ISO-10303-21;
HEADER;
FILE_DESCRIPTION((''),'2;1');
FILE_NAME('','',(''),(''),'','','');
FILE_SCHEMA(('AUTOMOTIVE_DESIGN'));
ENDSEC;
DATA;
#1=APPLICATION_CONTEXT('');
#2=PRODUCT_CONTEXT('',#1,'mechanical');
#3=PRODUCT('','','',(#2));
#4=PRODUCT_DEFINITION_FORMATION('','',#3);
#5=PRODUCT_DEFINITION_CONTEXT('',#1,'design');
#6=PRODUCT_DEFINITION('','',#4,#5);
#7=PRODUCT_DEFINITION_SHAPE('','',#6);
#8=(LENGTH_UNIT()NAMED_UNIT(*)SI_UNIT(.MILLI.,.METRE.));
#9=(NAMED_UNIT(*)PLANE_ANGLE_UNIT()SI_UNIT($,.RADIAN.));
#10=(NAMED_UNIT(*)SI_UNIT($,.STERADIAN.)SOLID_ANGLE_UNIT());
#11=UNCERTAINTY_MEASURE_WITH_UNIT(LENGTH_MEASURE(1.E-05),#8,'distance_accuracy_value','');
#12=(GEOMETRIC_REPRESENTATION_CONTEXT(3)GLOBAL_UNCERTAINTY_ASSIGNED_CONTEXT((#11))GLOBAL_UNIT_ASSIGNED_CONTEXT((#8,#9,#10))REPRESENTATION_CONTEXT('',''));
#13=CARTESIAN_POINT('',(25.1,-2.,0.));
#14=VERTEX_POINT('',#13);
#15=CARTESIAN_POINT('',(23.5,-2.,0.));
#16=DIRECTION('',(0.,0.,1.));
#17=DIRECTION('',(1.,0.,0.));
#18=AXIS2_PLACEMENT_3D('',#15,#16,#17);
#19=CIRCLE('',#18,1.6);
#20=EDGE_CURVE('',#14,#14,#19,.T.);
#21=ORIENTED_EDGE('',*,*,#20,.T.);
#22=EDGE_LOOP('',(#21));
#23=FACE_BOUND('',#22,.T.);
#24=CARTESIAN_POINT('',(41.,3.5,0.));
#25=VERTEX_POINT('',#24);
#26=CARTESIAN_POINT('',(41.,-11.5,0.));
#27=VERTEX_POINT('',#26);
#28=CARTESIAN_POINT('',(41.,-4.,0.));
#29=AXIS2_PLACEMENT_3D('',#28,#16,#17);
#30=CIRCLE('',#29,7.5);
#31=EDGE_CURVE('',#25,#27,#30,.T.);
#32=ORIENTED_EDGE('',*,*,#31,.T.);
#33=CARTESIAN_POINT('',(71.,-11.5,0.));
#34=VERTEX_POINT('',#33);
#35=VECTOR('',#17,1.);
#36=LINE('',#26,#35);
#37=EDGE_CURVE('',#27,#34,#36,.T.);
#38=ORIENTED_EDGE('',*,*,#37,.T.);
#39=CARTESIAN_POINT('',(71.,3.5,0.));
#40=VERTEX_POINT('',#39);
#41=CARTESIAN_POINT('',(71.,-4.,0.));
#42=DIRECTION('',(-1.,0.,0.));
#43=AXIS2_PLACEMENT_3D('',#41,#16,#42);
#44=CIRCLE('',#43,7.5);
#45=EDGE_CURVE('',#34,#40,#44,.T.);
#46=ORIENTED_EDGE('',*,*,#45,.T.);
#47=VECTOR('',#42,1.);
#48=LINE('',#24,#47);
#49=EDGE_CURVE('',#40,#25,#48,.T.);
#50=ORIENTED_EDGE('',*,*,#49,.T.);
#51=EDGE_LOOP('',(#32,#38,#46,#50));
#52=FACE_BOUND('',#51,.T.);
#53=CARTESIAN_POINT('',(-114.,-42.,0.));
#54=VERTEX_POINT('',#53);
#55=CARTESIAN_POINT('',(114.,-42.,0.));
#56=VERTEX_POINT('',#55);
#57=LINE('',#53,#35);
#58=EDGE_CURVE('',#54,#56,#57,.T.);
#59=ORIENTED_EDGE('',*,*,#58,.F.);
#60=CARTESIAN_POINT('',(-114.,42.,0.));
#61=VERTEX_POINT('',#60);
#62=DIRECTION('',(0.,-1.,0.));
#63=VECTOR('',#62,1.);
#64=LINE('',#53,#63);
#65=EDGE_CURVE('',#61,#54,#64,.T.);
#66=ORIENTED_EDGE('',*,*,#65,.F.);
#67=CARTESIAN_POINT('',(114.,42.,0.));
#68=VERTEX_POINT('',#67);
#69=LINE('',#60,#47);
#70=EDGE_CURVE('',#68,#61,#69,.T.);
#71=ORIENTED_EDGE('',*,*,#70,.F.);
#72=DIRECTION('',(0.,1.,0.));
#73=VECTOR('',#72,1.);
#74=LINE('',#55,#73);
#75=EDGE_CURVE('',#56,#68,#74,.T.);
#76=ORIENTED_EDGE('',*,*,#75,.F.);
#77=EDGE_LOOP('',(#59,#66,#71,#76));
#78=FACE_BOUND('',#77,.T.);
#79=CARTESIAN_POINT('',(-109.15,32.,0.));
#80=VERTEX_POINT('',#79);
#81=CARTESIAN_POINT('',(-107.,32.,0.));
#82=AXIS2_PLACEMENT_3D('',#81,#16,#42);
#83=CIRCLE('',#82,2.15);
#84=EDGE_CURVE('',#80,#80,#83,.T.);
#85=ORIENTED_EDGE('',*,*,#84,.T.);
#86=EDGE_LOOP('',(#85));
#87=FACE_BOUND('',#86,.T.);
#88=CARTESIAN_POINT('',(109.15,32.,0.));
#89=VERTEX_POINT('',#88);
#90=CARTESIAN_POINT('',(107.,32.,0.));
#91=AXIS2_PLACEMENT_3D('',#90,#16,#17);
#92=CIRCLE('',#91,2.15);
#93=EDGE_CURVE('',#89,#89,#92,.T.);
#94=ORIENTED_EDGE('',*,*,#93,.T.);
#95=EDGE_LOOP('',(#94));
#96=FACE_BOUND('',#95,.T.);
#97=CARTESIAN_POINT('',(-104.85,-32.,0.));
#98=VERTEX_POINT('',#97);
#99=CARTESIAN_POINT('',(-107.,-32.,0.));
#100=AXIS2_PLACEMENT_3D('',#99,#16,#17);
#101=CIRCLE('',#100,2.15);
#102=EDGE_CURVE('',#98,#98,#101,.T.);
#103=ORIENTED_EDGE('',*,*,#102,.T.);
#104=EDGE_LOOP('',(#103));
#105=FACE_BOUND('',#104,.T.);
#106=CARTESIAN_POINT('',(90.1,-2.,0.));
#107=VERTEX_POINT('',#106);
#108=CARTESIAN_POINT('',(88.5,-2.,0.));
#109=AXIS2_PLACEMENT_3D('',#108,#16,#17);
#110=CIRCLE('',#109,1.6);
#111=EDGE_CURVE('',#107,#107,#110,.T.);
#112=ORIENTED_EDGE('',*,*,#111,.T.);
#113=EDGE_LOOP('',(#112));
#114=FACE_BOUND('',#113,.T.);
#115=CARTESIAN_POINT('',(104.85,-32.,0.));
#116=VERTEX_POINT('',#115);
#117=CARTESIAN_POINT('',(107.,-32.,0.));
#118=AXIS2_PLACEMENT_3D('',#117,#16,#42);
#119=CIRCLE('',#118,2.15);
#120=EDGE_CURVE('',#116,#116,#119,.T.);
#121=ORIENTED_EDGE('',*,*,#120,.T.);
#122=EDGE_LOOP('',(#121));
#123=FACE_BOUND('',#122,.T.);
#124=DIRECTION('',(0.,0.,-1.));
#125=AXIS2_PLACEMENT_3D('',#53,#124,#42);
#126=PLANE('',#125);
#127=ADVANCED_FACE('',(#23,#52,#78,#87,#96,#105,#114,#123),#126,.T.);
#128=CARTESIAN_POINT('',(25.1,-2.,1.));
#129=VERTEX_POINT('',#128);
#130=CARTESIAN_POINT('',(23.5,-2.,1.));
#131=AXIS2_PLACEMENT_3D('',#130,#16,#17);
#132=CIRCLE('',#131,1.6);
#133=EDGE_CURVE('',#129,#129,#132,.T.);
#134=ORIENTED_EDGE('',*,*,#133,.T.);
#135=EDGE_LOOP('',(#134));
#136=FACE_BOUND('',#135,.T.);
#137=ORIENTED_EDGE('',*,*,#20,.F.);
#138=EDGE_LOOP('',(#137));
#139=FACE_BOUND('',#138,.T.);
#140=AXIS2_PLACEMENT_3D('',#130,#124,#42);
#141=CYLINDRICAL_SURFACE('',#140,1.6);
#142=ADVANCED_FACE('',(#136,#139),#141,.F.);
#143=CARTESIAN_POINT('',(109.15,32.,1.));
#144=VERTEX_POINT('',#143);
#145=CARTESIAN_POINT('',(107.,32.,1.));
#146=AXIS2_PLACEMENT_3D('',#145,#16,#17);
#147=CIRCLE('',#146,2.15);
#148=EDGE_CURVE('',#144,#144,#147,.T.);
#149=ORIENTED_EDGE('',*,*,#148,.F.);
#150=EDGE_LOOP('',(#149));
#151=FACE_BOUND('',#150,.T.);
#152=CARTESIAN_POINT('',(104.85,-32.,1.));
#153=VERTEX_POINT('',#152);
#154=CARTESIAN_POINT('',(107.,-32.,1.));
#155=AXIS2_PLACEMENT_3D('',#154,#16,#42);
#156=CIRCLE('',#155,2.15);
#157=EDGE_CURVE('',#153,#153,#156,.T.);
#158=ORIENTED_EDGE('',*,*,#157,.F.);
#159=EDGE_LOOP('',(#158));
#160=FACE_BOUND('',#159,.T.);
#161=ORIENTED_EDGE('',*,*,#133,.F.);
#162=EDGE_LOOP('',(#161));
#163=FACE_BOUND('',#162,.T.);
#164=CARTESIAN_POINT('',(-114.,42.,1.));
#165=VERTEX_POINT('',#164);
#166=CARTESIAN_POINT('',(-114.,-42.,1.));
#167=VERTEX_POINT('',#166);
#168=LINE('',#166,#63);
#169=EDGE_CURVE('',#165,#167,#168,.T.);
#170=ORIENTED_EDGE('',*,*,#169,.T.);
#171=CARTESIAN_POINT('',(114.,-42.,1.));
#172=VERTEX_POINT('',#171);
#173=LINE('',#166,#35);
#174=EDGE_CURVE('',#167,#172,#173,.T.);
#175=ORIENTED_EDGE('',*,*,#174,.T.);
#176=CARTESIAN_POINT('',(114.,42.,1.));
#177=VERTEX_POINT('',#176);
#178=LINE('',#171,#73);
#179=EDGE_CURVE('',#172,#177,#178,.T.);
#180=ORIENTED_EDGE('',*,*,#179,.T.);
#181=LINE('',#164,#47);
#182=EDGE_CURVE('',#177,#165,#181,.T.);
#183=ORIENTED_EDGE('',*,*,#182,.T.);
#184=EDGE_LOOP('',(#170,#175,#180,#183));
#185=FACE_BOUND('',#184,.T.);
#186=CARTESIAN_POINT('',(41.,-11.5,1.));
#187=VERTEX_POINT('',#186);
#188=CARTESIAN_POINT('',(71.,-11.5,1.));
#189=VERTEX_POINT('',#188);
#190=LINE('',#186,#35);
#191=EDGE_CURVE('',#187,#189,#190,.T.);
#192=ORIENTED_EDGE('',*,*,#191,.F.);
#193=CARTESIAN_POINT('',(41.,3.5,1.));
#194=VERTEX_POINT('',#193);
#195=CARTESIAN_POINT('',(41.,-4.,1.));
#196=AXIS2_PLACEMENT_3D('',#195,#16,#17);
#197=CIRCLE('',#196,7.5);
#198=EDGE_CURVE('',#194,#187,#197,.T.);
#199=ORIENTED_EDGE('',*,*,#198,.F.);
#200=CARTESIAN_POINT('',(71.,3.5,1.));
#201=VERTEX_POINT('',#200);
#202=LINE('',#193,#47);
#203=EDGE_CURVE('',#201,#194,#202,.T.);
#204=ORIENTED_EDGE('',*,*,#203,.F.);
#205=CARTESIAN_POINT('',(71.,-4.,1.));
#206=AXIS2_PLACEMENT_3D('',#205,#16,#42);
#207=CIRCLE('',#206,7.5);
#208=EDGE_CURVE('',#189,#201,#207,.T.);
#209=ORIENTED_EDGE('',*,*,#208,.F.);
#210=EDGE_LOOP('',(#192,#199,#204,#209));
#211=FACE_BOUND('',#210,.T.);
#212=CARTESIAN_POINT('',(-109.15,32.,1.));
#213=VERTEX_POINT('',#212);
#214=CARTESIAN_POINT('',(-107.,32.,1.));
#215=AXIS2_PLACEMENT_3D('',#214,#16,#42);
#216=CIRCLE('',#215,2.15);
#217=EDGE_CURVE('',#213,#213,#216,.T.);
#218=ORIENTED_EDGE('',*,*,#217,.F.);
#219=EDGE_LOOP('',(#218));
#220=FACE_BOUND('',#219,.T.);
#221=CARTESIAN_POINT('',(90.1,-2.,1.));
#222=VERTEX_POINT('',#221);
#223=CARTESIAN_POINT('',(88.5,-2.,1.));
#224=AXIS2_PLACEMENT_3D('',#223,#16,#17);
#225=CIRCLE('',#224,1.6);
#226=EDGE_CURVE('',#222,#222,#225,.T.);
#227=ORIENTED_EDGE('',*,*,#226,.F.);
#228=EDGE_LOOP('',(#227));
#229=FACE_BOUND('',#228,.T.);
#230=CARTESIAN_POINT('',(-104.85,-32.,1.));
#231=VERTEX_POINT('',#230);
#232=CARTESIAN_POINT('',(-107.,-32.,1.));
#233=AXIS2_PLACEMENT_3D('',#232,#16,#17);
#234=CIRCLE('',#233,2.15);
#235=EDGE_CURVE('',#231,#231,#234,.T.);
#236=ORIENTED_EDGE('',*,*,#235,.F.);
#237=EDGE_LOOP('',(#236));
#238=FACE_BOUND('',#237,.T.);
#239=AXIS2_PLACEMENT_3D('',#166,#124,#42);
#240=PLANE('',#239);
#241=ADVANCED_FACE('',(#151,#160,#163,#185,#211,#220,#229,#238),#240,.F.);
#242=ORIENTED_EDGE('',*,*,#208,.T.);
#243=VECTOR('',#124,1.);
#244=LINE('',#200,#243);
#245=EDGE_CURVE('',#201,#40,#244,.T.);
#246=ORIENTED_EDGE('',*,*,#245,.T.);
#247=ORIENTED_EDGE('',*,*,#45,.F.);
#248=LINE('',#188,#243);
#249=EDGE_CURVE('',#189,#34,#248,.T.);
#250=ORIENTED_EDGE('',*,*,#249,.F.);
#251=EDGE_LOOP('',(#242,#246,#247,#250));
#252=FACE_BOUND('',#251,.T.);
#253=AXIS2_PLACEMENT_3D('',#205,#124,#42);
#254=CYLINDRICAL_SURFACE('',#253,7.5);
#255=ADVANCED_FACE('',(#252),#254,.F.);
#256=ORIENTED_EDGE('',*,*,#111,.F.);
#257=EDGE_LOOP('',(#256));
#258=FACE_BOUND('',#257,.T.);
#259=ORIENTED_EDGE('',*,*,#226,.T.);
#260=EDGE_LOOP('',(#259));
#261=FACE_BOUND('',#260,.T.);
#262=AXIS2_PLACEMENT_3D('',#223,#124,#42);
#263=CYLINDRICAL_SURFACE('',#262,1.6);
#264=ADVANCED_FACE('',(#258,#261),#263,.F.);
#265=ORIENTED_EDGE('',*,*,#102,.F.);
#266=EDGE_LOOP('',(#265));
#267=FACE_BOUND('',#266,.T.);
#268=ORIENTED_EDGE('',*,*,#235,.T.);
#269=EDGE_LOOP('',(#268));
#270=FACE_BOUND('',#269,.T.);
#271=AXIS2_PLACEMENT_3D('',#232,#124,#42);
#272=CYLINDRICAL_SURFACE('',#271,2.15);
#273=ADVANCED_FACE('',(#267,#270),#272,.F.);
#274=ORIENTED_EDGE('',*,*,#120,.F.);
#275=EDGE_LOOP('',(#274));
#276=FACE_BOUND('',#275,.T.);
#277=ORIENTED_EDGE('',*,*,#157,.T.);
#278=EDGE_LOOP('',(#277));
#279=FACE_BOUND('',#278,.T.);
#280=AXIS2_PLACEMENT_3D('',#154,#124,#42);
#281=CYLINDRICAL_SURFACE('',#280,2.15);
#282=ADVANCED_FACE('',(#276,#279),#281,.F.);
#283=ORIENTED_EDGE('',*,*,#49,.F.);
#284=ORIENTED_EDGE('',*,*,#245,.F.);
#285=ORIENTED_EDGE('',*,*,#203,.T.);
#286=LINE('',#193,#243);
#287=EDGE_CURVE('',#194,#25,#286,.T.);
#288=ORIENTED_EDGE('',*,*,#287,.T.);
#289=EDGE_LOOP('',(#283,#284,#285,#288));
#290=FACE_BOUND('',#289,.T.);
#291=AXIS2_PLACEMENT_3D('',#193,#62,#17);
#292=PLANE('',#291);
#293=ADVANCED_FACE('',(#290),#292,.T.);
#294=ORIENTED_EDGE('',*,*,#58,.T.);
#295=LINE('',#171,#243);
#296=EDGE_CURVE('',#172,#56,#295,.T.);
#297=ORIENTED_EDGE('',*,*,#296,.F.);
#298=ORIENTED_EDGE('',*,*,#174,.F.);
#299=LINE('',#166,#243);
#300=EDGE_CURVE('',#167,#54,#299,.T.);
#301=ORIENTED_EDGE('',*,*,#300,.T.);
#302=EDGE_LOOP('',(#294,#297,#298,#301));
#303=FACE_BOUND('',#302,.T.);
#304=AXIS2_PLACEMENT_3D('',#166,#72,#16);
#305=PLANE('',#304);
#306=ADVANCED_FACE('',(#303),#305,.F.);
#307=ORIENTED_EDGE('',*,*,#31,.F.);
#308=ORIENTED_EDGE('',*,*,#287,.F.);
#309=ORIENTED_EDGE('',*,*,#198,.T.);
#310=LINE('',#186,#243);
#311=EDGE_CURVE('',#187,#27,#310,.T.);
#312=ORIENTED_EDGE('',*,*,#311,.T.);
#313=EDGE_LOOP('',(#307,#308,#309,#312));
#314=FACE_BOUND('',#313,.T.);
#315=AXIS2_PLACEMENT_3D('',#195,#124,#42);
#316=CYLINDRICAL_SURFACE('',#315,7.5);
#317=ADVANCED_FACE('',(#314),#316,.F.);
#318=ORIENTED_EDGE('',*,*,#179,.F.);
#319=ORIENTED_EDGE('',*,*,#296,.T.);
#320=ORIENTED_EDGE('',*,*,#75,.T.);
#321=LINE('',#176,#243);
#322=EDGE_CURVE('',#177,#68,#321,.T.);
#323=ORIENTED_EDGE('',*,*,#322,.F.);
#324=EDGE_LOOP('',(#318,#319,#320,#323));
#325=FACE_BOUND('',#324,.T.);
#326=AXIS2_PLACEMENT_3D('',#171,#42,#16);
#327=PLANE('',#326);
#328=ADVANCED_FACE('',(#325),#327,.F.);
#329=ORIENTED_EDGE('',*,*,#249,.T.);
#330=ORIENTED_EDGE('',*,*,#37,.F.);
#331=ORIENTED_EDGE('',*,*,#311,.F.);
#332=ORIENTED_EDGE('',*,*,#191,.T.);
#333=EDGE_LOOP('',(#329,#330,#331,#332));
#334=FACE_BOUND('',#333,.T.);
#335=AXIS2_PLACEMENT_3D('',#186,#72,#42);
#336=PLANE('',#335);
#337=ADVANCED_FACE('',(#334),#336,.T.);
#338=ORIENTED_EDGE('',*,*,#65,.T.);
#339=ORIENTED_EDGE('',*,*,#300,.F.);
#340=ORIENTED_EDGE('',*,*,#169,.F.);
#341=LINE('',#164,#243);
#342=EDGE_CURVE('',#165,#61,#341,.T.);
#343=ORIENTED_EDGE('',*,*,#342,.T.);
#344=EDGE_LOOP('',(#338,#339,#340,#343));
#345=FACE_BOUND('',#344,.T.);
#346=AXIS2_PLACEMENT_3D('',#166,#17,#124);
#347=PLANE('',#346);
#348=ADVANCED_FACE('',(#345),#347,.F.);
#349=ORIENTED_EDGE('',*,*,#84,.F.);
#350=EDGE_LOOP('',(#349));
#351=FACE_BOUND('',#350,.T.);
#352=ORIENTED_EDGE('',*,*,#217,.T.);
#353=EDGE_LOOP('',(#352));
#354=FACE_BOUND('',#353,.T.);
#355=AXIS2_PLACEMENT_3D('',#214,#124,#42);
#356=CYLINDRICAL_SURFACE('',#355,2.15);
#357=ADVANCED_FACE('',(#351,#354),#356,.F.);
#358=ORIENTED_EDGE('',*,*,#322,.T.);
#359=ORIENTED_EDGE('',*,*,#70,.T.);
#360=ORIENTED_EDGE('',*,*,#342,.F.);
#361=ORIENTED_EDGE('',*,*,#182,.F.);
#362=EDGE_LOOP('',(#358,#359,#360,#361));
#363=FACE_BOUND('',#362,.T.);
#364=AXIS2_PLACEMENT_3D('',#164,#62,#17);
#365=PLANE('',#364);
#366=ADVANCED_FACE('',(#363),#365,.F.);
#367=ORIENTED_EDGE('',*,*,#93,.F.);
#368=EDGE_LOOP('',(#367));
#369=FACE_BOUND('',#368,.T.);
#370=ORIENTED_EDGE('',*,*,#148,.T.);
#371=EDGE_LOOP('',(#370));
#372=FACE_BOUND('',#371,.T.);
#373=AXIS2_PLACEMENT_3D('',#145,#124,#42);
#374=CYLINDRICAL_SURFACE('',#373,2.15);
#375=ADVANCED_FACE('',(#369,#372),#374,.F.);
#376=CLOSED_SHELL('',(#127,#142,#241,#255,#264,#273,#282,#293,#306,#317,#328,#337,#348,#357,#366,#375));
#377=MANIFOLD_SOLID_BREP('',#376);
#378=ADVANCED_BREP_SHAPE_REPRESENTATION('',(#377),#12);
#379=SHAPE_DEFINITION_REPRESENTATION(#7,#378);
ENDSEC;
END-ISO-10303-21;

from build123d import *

# Parameters (mm, degrees)
SKETCH_1_W      = 228
SKETCH_1_H      = 84
SKETCH_1_R      = 1.6
SKETCH_1_R_2    = 2.15
EXTRUDE_1_DEPTH = 1


with BuildPart() as part:
    # Эскиз1 → Вытянуть1 (new body)
    with BuildSketch(Plane.XY):
        Rectangle(SKETCH_1_W, SKETCH_1_H)
        with Locations((23.5, -2)):
            Circle(SKETCH_1_R, mode=Mode.SUBTRACT)
        with Locations((107, 32)):
            Circle(SKETCH_1_R_2, mode=Mode.SUBTRACT)
        with Locations(Location((-107, 32, 0), (0, 0, 180))):
            Circle(SKETCH_1_R_2, mode=Mode.SUBTRACT)
        with Locations((-107, -32)):
            Circle(SKETCH_1_R_2, mode=Mode.SUBTRACT)
        with Locations(Location((107, -32, 0), (0, 0, 180))):
            Circle(SKETCH_1_R_2, mode=Mode.SUBTRACT)
        with Locations((88.5, -2)):
            Circle(SKETCH_1_R, mode=Mode.SUBTRACT)
        with BuildLine():
            Line((41, 3.5), (71, 3.5))
            ThreePointArc((71, 3.5), (78.5, -4), (71, -11.5))
            Line((71, -11.5), (41, -11.5))
            ThreePointArc((41, -11.5), (33.5, -4), (41, 3.5))
        make_face(mode=Mode.SUBTRACT)
    extrude(amount=EXTRUDE_1_DEPTH)


solid = part.part
